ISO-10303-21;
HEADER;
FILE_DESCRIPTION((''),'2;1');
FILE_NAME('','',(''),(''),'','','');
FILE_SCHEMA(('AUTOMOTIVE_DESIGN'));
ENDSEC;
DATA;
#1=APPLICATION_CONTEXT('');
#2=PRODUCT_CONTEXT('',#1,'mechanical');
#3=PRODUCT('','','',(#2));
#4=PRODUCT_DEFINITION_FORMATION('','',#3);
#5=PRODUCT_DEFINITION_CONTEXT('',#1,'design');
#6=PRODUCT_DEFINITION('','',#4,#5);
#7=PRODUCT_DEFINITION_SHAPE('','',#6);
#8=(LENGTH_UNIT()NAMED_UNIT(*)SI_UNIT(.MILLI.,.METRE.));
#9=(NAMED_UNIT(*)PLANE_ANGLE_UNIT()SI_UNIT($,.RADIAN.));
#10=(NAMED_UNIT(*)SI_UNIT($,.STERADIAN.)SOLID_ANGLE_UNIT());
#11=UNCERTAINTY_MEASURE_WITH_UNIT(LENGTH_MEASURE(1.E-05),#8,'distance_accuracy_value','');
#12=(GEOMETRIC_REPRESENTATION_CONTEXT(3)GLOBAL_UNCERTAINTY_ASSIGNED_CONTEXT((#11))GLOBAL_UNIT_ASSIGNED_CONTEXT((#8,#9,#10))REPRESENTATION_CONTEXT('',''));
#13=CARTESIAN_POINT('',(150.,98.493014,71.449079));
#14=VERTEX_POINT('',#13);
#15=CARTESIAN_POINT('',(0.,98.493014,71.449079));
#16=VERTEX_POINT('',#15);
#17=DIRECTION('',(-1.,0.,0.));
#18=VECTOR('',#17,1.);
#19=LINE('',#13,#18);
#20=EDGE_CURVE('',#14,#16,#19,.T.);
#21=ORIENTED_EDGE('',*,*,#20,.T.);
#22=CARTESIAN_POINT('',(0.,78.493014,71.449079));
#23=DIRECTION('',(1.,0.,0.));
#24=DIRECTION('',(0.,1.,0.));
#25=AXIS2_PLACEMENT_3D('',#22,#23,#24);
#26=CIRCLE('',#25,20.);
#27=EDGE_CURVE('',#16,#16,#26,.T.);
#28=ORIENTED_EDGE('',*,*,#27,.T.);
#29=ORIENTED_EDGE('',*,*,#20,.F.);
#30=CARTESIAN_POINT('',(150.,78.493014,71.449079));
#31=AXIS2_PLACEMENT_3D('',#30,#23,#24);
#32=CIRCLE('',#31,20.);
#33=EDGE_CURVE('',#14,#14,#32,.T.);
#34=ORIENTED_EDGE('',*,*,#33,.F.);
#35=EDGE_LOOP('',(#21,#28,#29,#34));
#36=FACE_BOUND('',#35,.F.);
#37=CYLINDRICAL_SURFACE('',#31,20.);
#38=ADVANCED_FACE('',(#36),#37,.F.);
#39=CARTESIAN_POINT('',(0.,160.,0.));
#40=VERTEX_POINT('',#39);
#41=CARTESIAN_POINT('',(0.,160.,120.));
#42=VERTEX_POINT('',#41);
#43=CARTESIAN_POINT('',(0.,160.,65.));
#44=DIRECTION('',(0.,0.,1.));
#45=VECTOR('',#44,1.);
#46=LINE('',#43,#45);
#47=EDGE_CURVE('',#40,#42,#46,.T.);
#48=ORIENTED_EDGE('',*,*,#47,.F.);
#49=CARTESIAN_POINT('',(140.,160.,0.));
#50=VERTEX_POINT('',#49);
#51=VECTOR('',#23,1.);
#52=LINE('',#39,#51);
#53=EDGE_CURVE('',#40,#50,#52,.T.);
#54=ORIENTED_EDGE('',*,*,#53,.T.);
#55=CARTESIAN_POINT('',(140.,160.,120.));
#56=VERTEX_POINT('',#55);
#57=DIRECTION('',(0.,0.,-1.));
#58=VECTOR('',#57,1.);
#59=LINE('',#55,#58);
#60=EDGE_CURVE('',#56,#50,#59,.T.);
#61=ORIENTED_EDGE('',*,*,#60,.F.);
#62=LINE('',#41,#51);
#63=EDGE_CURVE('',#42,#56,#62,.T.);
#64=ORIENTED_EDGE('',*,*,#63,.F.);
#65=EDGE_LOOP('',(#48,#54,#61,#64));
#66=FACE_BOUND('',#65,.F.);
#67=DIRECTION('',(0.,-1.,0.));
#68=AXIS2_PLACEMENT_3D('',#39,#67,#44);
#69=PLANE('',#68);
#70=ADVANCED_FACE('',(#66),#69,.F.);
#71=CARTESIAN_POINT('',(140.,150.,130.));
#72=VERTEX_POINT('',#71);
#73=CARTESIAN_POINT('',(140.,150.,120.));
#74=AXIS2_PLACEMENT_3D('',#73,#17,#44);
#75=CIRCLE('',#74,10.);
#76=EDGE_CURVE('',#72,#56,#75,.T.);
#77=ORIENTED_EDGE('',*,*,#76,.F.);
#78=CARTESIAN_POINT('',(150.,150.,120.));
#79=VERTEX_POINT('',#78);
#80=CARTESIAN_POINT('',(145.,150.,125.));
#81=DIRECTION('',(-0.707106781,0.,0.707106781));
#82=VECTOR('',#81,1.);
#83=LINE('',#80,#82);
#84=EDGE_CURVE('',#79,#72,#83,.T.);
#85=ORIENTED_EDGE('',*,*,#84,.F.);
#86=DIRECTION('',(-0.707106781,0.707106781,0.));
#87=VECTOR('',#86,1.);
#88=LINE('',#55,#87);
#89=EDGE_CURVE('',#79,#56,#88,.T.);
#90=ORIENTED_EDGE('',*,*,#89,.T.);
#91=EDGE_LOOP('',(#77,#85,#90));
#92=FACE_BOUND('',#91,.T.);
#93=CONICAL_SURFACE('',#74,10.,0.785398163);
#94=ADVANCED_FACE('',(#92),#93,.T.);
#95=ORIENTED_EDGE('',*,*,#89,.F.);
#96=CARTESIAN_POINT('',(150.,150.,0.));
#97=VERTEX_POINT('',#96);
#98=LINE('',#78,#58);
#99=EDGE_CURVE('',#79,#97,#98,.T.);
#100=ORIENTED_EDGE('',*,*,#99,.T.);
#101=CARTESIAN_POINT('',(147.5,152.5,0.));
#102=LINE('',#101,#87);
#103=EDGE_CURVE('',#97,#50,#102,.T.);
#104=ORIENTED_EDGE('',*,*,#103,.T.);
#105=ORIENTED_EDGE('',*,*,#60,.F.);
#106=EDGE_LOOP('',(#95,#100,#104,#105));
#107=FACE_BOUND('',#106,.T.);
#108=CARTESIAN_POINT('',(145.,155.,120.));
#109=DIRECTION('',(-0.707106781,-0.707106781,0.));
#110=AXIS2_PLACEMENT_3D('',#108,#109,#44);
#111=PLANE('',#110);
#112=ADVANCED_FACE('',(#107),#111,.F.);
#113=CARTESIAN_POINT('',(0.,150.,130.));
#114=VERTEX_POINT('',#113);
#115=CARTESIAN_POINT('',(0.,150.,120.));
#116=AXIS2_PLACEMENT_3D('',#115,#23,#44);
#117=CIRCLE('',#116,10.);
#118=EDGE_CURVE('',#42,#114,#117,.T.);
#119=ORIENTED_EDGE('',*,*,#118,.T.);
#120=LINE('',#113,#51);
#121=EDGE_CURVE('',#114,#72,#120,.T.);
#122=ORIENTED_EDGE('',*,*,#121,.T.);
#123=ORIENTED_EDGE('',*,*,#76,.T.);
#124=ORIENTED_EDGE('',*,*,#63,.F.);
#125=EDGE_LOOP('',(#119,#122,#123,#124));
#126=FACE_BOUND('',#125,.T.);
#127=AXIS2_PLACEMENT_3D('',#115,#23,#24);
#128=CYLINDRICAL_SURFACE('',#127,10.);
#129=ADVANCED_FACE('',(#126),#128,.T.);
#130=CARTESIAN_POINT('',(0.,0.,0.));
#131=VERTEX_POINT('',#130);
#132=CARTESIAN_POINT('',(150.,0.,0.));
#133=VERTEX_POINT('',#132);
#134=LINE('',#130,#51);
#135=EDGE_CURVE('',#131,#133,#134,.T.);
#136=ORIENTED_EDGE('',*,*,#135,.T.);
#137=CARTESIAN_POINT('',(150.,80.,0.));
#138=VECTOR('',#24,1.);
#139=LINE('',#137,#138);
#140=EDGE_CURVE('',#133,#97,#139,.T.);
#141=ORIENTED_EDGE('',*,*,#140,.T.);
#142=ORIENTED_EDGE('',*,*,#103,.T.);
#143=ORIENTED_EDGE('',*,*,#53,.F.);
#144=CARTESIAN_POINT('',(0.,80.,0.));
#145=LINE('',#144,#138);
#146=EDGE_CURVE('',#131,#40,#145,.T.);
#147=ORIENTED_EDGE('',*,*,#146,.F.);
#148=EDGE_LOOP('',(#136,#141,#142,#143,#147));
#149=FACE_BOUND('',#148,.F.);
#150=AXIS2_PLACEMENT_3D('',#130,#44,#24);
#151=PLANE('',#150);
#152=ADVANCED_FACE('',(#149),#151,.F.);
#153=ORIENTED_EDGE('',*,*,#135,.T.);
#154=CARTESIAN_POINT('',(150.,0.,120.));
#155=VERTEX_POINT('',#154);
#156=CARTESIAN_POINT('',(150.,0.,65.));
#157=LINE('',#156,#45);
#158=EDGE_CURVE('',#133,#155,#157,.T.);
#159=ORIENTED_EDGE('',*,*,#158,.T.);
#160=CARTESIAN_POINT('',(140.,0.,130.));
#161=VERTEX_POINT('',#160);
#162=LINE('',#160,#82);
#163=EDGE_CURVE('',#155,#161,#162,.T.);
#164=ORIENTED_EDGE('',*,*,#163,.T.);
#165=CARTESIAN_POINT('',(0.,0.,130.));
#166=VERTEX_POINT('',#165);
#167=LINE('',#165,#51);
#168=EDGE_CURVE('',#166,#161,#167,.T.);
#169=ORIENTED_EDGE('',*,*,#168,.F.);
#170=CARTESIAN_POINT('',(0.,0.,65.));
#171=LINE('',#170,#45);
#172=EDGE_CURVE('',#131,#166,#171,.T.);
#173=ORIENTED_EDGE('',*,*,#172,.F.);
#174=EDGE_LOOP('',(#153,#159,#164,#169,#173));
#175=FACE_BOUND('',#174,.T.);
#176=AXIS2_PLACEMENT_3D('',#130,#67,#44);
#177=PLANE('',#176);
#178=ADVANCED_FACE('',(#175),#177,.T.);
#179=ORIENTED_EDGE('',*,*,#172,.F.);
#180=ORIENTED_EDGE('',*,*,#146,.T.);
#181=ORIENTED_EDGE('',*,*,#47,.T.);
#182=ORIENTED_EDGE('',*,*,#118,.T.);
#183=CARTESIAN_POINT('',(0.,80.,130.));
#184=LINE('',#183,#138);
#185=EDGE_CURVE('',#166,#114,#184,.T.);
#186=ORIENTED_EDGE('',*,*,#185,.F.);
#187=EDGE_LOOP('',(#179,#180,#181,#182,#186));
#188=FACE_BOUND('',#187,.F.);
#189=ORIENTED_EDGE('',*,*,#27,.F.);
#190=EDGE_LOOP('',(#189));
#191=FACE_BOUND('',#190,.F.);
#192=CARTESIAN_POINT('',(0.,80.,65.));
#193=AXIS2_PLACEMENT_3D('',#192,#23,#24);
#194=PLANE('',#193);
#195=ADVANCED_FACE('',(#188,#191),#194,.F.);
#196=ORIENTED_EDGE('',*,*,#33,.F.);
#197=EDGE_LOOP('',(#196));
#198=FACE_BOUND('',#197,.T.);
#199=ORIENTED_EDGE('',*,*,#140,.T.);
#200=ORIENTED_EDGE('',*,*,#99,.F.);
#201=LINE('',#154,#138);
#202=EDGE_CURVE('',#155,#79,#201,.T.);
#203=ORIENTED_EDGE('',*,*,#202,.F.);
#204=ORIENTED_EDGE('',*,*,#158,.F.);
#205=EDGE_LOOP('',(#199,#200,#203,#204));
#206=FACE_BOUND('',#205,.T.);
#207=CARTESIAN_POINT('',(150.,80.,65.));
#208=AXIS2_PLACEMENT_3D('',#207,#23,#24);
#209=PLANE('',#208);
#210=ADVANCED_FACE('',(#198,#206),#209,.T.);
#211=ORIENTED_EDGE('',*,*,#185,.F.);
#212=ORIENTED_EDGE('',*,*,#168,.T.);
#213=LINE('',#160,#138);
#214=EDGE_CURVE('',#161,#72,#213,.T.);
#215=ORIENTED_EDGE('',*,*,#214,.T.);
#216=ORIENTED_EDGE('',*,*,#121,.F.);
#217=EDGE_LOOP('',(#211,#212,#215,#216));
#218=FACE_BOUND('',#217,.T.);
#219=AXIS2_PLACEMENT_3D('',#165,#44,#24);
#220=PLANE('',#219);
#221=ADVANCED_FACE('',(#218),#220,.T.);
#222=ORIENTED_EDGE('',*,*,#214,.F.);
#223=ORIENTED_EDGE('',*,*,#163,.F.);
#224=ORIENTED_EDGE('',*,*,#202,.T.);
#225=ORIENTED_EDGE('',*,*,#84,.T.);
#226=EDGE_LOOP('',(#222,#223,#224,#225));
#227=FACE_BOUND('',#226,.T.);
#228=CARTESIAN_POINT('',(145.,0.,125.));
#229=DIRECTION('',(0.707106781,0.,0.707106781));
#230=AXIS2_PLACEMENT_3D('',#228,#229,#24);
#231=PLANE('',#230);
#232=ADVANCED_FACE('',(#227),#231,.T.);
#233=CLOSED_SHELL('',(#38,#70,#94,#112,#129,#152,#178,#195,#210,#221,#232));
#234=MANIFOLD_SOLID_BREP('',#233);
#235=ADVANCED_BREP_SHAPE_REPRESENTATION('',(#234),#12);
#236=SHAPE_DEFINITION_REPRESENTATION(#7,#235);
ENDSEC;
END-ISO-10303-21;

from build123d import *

# Parameters (mm, degrees)
F0_W     = 160
F0_H     = 130
F1_DEPTH = 150
F2_R     = 10
F3_SIZE  = 10
F4_R     = 20
F5_DEPTH = 265


with BuildPart() as f1:
    # F0 (on Right) → F1 (new body)
    with BuildSketch(Plane.YZ):
        with Locations((80, 65)):
            Rectangle(F0_W, F0_H)
    extrude(amount=F1_DEPTH)

    # F2
    f2_edges = [f1.edges().sort_by_distance(p)[0] for p in [
        (75, 160, 130),
    ]]
    fillet(f2_edges, radius=F2_R)

    # F3
    f3_edges = [f1.edges().sort_by_distance(p)[0] for p in [
        (150, 75, 130),
        (150, 160, 60),
        (150, 157.071068, 127.071068),
    ]]
    chamfer(f3_edges, length=F3_SIZE)

    # F4 (on face) → F5 (cut)
    with BuildSketch(Plane.YZ.offset(150)):
        with Locations((78.493013978, 71.4490786195)):
            Circle(F4_R)
    extrude(amount=-F5_DEPTH, mode=Mode.SUBTRACT)


solid = f1.part
